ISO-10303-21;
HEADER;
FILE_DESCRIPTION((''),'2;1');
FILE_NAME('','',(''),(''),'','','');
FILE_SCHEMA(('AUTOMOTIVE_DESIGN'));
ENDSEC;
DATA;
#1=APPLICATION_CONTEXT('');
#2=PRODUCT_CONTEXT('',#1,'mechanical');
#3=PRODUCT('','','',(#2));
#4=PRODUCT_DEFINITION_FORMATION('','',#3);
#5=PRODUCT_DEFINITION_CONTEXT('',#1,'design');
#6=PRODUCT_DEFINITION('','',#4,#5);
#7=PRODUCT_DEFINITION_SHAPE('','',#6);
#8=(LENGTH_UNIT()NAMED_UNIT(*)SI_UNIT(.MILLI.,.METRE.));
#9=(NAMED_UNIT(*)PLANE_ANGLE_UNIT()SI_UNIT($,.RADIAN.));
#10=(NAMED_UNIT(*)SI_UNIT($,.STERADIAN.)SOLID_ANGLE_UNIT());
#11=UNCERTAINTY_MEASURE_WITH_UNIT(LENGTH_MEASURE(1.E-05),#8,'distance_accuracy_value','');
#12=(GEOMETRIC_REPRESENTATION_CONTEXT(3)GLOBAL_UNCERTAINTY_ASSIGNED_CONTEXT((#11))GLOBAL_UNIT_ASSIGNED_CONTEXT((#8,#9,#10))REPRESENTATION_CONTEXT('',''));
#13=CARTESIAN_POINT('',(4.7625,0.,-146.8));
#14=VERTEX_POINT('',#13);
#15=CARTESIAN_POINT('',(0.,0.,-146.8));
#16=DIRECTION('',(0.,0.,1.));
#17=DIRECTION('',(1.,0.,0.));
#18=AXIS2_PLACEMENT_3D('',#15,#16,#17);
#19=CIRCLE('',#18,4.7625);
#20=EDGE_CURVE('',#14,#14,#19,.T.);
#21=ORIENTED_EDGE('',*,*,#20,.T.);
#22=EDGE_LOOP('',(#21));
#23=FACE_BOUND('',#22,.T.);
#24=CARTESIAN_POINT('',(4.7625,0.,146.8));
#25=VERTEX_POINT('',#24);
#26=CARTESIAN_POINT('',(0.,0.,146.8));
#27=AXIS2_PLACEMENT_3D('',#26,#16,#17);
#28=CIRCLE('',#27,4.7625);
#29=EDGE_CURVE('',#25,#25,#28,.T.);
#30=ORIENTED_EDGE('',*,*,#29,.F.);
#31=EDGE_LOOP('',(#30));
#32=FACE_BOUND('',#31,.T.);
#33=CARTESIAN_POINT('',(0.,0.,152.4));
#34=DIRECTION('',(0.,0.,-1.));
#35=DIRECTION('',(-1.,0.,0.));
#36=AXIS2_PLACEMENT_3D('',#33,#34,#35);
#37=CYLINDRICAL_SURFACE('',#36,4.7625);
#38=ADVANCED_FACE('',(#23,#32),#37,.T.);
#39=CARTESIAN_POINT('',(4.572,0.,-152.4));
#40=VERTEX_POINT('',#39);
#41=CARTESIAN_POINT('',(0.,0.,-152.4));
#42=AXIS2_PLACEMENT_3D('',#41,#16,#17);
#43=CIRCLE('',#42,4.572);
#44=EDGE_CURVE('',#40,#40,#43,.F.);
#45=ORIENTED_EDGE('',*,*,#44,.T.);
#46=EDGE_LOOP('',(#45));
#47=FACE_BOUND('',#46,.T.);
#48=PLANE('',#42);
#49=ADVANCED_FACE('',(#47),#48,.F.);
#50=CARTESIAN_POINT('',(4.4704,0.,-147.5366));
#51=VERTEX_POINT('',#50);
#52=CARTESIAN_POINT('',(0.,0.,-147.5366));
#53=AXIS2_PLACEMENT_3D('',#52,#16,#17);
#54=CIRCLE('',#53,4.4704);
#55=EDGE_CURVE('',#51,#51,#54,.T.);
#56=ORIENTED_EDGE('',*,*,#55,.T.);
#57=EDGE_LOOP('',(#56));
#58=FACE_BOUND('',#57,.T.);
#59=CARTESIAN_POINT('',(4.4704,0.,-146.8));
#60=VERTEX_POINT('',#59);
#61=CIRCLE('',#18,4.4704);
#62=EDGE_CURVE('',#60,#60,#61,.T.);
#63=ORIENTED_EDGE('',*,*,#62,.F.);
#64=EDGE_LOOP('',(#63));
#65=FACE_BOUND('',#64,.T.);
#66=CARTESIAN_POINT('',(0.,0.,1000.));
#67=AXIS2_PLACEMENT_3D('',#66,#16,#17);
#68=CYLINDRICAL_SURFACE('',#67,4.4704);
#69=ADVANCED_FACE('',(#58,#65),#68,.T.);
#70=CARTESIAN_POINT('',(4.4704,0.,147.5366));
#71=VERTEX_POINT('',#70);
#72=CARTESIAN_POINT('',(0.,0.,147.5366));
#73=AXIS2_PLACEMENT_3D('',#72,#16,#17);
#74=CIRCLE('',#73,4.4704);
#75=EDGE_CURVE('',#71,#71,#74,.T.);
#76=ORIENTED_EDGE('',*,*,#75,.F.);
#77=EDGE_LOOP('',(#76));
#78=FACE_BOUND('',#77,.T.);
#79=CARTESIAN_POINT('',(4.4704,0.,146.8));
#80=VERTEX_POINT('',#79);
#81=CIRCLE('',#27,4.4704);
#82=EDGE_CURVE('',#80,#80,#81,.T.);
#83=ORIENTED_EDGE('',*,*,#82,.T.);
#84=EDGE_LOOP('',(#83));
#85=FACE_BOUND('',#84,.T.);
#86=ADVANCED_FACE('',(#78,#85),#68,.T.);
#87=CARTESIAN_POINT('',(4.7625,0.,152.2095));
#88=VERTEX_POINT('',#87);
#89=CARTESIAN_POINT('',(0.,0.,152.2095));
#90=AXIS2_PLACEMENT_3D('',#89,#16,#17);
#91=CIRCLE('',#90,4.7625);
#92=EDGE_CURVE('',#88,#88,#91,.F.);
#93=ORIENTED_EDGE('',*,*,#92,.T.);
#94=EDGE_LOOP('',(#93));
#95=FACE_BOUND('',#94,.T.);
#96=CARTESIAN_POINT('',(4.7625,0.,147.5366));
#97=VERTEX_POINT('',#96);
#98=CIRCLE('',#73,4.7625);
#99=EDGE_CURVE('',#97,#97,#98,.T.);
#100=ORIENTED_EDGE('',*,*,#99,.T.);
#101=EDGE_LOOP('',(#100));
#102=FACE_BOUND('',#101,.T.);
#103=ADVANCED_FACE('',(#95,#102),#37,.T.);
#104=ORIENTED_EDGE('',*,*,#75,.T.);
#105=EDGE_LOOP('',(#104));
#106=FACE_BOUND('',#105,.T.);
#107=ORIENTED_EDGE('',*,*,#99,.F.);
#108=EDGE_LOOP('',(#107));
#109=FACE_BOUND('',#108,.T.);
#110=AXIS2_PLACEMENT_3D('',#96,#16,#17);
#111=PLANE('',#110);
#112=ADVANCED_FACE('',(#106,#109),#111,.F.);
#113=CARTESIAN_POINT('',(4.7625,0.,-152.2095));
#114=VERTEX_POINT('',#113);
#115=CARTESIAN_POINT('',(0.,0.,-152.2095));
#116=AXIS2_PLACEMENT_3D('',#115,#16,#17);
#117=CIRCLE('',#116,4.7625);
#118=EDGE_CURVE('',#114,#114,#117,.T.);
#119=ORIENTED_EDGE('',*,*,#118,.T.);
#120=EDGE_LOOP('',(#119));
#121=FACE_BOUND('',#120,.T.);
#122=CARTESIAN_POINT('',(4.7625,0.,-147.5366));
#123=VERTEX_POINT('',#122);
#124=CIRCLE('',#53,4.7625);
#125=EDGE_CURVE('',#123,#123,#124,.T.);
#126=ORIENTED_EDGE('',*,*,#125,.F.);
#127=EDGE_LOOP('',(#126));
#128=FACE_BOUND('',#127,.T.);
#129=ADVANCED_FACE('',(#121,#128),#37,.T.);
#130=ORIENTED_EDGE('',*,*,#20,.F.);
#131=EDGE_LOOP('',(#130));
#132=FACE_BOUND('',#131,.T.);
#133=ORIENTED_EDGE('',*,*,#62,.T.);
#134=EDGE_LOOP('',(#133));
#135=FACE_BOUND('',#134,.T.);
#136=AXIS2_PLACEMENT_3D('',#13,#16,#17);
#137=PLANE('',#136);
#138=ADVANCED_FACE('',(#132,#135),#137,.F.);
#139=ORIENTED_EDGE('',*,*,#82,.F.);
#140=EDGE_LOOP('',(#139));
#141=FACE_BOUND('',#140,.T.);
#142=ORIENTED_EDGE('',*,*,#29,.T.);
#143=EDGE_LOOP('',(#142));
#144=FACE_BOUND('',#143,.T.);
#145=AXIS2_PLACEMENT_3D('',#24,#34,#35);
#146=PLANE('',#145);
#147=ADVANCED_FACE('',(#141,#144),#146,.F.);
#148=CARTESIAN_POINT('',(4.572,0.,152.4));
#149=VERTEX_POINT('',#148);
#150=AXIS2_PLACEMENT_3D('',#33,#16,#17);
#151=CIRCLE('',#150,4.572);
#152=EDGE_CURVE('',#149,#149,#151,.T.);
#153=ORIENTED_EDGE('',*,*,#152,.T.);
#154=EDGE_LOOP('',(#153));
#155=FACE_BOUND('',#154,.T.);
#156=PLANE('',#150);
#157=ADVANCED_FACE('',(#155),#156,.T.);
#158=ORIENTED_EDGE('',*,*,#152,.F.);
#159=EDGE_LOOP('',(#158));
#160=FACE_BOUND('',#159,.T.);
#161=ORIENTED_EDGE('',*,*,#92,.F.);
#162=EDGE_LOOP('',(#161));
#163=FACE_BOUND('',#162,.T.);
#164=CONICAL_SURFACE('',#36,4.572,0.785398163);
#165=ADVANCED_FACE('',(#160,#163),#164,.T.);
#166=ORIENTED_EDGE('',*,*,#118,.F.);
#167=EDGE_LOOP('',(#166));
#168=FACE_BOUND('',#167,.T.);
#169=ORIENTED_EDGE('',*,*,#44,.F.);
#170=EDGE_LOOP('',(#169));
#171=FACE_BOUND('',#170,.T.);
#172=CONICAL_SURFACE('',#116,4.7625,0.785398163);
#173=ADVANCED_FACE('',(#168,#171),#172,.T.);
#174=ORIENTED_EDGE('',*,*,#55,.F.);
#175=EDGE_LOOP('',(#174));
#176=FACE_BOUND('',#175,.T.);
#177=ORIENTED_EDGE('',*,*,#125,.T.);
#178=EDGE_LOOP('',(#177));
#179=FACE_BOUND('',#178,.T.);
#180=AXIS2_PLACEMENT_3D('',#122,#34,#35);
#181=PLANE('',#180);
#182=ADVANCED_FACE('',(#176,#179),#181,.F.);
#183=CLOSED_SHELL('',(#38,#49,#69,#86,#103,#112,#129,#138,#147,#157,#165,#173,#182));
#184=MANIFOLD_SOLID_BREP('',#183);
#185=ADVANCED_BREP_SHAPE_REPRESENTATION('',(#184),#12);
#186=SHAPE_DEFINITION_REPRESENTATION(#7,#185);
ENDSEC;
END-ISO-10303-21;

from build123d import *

# Parameters (mm, degrees)
SKETCH3_R                = 4.7625
BOSS_EXTRUDE1_DEPTH      = 152.4
BOSS_EXTRUDE1_DEPTH_BACK = 152.4
CHAMFER1_SIZE            = 0.1905
SKETCH4_W                = 0.2921
SKETCH4_H                = 0.7366


with BuildPart() as part:
    # Sketch3 → Boss-Extrude1 (new body, two sides)
    with BuildSketch(Plane.XY) as boss_extrude1_sk:
        Circle(SKETCH3_R)
    extrude(amount=BOSS_EXTRUDE1_DEPTH)
    extrude(boss_extrude1_sk.sketch, amount=-BOSS_EXTRUDE1_DEPTH_BACK)

    # Chamfer1
    chamfer1_edges = [part.edges().sort_by_distance(p)[0] for p in [
        (-4.7625, 0, -152.4),
        (-4.7625, 0, 152.4),
    ]]
    chamfer(chamfer1_edges, length=CHAMFER1_SIZE)

    # Sketch4 → Cut-Revolve1 (revolve, cut)
    with BuildSketch(Plane(origin=(0, 0, 0), x_dir=(1, 0, 0), z_dir=(0, 1, 0))):
        with Locations((4.61645, 147.1683)):
            Rectangle(SKETCH4_W, SKETCH4_H)
        with Locations((4.61645, -147.1683)):
            Rectangle(SKETCH4_W, SKETCH4_H)
    revolve(axis=Axis((0, 0, 1000), (0, 0, -1)), mode=Mode.SUBTRACT)


solid = part.part
